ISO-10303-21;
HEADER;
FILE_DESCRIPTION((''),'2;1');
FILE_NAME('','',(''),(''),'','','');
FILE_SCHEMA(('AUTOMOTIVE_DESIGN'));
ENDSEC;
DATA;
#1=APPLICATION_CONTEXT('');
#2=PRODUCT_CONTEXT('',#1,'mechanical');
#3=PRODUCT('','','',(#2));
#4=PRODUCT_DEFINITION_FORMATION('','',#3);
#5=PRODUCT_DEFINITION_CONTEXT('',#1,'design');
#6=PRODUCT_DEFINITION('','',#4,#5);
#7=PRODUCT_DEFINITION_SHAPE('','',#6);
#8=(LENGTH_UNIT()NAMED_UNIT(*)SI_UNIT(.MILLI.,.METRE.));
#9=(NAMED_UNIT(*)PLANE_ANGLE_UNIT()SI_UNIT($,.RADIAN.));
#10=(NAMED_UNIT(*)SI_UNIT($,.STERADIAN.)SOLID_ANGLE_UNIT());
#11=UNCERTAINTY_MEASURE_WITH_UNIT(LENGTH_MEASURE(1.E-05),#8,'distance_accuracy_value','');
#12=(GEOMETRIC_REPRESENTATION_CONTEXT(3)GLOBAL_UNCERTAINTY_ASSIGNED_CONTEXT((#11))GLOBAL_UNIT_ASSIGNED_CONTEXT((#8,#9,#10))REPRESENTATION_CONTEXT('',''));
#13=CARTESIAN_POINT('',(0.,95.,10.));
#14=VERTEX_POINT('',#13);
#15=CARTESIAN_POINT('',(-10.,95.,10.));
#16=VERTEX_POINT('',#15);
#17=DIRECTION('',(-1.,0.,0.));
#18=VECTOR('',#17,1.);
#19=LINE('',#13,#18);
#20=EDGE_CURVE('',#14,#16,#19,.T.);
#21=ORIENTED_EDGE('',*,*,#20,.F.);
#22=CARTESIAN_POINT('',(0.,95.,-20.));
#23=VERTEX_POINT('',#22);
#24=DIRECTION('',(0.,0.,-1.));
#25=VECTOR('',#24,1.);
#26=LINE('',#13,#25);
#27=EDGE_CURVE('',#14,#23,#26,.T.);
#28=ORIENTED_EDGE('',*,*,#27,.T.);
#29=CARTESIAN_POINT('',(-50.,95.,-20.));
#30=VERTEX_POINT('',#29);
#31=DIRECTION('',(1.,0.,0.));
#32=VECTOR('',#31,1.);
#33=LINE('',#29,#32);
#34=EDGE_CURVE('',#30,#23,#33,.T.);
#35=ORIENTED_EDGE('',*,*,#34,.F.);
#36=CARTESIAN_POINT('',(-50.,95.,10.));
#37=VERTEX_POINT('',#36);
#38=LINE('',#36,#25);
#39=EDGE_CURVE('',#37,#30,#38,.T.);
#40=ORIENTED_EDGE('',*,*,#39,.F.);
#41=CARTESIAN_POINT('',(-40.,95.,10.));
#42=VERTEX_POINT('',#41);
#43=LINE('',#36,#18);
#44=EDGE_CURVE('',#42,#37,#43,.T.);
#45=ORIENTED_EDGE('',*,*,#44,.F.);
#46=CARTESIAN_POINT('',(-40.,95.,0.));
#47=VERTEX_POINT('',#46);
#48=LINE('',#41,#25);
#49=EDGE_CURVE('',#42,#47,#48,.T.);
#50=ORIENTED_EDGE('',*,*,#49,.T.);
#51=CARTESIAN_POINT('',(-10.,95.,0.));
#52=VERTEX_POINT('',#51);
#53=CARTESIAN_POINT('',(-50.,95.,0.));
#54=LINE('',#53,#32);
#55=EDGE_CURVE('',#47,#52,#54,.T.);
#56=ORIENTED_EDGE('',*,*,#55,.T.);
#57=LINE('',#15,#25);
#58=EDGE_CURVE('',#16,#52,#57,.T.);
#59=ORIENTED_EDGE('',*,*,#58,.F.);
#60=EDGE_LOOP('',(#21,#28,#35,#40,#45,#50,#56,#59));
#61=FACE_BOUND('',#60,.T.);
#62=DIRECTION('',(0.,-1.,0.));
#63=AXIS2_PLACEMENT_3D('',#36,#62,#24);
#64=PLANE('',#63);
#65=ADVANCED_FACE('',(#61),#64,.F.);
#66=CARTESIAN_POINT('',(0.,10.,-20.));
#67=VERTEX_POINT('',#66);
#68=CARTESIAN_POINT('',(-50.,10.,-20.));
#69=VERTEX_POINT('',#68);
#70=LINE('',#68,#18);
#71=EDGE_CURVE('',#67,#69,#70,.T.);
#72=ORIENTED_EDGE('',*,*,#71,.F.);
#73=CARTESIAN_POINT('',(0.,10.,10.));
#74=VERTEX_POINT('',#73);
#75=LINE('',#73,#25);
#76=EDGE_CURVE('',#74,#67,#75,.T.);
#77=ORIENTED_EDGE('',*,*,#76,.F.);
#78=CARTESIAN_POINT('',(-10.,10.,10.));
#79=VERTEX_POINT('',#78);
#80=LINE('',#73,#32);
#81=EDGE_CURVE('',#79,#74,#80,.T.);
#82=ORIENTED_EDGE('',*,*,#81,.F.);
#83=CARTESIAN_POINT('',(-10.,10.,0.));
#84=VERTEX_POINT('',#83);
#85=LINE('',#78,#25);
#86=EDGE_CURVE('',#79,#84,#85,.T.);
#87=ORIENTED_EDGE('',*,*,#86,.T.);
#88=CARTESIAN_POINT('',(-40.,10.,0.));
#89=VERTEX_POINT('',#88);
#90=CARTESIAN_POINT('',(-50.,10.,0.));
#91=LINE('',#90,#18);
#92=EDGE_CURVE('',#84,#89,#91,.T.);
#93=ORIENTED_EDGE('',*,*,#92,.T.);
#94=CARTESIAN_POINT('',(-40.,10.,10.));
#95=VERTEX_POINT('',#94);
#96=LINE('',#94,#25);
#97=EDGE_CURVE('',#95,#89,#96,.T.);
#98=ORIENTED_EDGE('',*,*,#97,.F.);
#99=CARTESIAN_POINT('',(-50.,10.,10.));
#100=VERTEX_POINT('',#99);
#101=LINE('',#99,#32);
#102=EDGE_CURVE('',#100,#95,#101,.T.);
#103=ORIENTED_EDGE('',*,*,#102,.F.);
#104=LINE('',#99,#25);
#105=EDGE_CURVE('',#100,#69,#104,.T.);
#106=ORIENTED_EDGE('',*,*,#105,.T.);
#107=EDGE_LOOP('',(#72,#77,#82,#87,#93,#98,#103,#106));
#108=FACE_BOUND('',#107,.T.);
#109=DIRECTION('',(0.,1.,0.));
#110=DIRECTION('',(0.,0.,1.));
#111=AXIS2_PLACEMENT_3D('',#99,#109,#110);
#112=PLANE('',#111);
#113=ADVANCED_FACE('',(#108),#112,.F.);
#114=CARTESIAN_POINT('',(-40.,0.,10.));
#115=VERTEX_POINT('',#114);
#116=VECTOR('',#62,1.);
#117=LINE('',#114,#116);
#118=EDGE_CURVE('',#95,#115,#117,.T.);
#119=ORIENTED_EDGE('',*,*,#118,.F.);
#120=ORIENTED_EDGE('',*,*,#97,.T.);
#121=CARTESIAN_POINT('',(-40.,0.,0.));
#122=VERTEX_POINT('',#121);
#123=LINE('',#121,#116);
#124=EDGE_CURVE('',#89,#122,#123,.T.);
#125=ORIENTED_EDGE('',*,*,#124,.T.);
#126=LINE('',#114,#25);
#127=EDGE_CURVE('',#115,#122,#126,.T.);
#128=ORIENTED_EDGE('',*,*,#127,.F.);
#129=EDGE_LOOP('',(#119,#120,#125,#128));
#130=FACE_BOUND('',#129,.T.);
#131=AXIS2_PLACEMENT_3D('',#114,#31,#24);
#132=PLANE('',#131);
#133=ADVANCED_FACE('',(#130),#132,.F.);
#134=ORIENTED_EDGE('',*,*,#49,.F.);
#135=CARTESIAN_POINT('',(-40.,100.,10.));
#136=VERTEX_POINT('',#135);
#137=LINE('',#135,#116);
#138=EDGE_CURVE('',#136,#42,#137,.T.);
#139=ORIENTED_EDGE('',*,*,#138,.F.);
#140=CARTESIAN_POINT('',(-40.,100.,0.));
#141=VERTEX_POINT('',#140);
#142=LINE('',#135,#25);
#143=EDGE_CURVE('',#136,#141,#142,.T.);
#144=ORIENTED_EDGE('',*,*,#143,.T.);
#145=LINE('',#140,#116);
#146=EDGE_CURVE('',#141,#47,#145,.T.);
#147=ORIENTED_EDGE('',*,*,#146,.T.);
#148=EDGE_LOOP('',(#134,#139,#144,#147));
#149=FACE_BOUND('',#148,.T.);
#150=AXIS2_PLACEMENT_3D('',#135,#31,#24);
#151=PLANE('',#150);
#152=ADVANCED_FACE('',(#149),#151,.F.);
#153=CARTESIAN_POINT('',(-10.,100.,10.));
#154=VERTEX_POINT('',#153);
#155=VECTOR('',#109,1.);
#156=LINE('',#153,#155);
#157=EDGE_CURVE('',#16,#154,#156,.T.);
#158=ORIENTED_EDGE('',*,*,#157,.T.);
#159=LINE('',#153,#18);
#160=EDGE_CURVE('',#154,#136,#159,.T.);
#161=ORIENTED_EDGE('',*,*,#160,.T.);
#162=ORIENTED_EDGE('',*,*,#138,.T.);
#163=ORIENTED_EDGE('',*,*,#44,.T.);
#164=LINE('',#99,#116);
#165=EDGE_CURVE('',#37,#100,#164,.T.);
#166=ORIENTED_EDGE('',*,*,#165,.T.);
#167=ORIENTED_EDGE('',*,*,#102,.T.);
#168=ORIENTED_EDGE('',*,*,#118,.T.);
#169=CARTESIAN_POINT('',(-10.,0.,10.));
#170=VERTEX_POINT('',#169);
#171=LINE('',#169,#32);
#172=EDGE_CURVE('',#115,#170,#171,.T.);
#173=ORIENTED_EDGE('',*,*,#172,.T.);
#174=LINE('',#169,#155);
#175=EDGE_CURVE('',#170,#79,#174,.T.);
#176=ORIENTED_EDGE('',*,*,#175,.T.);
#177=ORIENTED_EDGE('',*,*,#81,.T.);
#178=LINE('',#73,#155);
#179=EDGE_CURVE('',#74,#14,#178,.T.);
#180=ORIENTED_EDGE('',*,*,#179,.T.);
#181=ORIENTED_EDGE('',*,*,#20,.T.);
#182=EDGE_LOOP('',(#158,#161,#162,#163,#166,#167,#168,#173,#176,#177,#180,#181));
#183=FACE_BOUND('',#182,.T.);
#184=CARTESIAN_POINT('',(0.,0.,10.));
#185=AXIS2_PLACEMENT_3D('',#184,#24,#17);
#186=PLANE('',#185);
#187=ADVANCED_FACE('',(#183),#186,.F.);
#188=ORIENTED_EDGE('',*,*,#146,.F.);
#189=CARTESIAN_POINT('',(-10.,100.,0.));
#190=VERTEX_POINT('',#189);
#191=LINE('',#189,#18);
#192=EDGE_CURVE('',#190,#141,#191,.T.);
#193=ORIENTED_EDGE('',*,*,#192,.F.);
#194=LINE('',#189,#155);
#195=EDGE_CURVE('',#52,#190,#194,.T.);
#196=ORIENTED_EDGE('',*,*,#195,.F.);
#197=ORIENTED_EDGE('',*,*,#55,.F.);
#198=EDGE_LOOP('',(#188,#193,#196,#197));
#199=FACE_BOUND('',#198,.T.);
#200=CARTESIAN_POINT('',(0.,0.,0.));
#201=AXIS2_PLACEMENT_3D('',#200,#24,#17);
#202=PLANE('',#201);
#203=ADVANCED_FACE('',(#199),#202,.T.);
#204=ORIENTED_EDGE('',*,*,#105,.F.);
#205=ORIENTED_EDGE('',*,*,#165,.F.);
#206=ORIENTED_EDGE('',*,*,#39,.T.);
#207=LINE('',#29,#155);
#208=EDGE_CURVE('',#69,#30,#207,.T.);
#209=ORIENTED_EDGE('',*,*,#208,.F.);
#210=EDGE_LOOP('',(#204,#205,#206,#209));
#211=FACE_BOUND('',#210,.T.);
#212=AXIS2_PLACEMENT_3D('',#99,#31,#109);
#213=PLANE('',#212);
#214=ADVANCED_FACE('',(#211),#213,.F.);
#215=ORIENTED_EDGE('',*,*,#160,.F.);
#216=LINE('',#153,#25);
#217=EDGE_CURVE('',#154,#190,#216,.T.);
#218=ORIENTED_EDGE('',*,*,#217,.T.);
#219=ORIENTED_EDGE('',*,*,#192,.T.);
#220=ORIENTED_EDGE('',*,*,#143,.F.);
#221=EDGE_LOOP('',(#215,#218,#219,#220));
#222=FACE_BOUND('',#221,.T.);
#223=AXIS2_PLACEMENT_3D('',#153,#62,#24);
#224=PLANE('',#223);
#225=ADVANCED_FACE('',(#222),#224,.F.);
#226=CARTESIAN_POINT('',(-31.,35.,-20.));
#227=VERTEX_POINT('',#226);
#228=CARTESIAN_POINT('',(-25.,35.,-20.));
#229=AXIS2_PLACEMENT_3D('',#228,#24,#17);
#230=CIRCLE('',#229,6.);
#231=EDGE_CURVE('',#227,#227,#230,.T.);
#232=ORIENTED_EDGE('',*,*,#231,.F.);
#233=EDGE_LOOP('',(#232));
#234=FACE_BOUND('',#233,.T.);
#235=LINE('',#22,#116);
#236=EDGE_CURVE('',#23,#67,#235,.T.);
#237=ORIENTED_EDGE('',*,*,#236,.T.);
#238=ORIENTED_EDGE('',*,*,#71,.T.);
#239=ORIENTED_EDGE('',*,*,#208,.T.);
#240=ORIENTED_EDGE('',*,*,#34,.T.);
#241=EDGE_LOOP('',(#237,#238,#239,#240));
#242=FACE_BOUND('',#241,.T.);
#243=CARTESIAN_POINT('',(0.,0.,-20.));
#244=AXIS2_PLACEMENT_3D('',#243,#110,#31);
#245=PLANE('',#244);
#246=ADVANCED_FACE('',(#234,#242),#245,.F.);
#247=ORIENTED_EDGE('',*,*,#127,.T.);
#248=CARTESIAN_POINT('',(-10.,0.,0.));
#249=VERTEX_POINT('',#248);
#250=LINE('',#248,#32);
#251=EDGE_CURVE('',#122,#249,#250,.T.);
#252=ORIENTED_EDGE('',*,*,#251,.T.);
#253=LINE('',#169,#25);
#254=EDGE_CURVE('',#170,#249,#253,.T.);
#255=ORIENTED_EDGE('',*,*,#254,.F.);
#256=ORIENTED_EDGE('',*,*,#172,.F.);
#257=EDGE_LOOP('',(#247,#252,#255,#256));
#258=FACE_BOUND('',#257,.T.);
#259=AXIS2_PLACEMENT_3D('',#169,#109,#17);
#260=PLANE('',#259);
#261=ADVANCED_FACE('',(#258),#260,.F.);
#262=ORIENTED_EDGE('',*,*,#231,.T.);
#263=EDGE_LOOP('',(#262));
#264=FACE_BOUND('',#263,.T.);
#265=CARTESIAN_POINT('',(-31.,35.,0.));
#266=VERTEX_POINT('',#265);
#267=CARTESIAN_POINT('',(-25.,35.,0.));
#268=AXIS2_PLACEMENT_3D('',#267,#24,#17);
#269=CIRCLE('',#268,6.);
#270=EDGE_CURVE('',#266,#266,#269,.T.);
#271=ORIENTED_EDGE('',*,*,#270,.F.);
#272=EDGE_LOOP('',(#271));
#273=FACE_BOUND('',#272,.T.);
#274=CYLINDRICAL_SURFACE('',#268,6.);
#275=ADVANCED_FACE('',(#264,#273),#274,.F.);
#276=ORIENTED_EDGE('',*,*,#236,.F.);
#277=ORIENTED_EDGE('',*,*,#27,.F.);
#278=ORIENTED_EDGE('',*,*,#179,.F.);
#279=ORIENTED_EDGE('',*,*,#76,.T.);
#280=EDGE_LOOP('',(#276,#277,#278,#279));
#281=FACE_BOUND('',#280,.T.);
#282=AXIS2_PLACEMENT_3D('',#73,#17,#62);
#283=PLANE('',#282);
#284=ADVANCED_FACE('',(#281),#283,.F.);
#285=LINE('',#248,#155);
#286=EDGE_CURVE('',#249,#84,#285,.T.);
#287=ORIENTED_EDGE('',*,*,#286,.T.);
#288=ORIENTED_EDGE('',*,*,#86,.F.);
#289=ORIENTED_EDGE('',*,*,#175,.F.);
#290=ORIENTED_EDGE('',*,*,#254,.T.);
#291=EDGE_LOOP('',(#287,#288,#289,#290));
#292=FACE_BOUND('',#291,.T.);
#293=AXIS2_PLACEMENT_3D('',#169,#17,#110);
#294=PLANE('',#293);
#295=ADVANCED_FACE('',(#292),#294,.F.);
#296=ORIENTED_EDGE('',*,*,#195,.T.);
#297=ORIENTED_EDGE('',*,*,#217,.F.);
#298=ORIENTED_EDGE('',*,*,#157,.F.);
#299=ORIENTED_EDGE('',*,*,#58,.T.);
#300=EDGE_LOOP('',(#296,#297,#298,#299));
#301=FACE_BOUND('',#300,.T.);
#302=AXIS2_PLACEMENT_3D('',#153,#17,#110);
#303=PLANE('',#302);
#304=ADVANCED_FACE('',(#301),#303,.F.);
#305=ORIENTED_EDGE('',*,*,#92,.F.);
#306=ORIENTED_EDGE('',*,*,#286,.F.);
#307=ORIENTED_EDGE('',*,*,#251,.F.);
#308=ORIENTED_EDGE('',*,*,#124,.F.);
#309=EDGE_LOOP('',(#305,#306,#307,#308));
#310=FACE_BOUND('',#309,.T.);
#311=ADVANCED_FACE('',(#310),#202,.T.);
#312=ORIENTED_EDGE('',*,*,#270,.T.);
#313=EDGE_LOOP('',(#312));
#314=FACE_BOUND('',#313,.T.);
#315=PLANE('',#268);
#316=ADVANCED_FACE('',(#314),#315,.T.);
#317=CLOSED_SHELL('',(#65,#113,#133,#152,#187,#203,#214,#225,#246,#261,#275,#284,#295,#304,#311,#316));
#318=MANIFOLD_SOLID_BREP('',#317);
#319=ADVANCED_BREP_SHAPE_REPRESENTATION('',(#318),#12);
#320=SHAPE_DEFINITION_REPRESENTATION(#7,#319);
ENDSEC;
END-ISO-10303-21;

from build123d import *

# Parameters (mm, degrees)
BOSS_EXTRUDE1_DEPTH = 10
SKETCH2_W           = 50
SKETCH2_H           = 85
BOSS_EXTRUDE2_DEPTH = 20
SKETCH3_R           = 6
CUT_EXTRUDE1_DEPTH  = 20


with BuildPart() as part:
    # Sketch1 → Boss-Extrude1 (new body)
    with BuildSketch(Plane.XY):
        Polygon((-10, 0), (-40, 0), (-40, 10), (-50, 10), (-50, 95), (-40, 95), (-40, 100), (-10, 100), (-10, 95), (0, 95), (0, 10), (-10, 10), align=None)
    extrude(amount=BOSS_EXTRUDE1_DEPTH)

    # Sketch2 → Boss-Extrude2 (add)
    with BuildSketch(Plane(origin=(0, 0, 0), x_dir=(-1, 0, 0), z_dir=(0, 0, -1))):
        with Locations((25, 52.5)):
            Rectangle(SKETCH2_W, SKETCH2_H)
    extrude(amount=BOSS_EXTRUDE2_DEPTH)

    # Sketch3 → Cut-Extrude1 (cut)
    with BuildSketch(Plane(origin=(0, 0, -20), x_dir=(-1, 0, 0), z_dir=(0, 0, -1))):
        with Locations((25, 35)):
            Circle(SKETCH3_R)
    extrude(amount=-CUT_EXTRUDE1_DEPTH, mode=Mode.SUBTRACT)


solid = part.part
